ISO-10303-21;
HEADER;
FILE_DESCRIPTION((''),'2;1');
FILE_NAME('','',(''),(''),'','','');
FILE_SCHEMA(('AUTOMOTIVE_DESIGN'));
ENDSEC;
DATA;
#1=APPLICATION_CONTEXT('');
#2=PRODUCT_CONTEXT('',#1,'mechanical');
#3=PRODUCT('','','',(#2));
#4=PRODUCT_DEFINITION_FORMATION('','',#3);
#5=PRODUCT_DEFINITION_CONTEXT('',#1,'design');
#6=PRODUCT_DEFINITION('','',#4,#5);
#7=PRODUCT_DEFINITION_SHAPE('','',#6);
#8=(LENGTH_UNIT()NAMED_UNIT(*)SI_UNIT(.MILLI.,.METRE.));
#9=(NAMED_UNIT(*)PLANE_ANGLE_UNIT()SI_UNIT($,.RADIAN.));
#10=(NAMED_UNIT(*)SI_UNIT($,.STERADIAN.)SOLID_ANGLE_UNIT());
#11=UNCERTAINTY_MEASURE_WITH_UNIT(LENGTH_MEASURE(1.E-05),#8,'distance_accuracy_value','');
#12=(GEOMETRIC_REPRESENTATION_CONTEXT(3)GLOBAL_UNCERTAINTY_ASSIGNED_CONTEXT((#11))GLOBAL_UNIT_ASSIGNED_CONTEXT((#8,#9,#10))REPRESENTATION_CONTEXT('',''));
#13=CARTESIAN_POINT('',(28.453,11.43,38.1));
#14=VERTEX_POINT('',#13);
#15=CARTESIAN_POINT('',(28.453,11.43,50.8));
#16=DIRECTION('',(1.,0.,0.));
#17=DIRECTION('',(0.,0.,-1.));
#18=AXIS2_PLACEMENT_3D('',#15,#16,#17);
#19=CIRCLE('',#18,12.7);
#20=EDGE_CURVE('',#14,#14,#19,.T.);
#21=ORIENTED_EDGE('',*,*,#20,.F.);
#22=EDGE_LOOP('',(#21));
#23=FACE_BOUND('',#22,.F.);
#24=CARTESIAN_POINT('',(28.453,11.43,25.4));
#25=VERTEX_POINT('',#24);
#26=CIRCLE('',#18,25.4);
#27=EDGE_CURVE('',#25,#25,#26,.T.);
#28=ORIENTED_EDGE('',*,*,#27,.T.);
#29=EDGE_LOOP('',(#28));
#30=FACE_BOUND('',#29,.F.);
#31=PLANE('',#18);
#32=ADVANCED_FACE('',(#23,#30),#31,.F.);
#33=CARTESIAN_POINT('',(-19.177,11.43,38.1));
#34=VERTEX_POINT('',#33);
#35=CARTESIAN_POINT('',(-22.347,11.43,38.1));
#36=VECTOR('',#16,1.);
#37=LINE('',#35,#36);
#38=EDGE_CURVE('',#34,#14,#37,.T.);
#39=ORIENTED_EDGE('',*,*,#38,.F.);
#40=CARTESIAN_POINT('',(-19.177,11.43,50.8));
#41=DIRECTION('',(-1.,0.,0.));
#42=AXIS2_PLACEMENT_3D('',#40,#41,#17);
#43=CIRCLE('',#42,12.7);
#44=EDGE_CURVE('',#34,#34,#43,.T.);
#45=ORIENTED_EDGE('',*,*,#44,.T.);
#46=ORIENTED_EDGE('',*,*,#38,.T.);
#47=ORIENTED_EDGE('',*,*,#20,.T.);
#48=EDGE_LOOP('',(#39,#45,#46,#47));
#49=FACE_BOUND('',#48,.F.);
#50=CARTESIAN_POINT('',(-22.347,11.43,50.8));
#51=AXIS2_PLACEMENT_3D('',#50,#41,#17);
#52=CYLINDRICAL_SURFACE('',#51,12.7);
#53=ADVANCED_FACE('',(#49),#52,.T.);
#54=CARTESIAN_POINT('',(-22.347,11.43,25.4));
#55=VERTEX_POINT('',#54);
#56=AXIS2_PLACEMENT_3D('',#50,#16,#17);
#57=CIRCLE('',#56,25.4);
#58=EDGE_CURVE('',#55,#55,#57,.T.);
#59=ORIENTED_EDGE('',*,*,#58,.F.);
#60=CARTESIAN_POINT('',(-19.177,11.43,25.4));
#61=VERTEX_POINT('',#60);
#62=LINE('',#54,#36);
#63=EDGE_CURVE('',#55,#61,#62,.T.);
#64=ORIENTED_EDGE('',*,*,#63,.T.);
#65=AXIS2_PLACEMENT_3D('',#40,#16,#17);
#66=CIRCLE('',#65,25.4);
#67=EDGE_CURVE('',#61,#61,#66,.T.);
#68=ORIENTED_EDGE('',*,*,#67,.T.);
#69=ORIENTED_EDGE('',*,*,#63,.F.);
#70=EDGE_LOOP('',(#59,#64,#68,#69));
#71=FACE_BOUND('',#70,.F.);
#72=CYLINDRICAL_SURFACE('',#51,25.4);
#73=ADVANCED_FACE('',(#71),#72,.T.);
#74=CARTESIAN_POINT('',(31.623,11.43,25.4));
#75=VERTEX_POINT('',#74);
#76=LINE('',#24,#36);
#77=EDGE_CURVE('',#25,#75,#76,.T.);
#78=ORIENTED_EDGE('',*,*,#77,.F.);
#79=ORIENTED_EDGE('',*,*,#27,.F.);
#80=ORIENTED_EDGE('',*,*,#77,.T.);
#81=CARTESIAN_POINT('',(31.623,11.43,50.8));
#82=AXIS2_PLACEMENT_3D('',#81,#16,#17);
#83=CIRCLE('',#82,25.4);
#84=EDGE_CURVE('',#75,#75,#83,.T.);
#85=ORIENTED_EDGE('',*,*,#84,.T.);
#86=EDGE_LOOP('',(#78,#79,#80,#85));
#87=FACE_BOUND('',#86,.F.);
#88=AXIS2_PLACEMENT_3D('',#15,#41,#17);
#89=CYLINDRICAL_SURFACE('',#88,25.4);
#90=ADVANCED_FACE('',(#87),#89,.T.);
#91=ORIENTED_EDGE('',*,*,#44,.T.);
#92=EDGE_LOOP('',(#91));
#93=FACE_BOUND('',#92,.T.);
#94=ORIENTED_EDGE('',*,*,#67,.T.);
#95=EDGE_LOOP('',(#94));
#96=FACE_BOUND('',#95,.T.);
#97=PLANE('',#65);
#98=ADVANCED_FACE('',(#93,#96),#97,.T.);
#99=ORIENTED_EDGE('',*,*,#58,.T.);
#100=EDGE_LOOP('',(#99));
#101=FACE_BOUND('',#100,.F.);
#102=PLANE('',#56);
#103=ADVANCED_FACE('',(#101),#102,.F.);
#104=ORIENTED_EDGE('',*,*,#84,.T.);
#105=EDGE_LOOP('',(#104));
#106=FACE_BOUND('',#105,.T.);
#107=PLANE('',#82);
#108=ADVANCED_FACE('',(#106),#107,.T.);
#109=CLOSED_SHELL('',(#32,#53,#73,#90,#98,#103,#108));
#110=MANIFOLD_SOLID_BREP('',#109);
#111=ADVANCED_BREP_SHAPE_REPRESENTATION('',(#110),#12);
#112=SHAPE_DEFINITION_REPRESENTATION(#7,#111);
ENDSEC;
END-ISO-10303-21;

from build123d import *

# Parameters (mm, degrees)
CYLINDER003_R      = 25.4
CYLINDER003_DEPTH  = 3.17
CYLINDER001_R      = 12.7
CYLINDER001_DEPTH  = 50.8
CYLINDER004_R      = 25.4
CYLINDER004_DEPTH  = 3.17
FUSION_PITCH_ANGLE = 90


with BuildPart() as cylinder003:
    # Cylinder003 → Cylinder003 (new body)
    with BuildSketch(Plane.XY):
        Circle(CYLINDER003_R)
    extrude(amount=CYLINDER003_DEPTH)


with BuildPart() as cylinder001:
    # Cylinder001 → Cylinder001 (new body)
    with BuildSketch(Plane.XY):
        Circle(CYLINDER001_R)
    extrude(amount=CYLINDER001_DEPTH)


with BuildPart() as fusion:
    # Cylinder004 → Cylinder004 (new body)
    with BuildSketch(Plane.XY.offset(50.8)):
        Circle(CYLINDER004_R)
    extrude(amount=CYLINDER004_DEPTH)

    # Fusion: union Cylinder003, Cylinder001
    add(cylinder003.part)
    add(cylinder001.part)


with BuildPart() as fusion_1:
    # Fusion pitch: moved
    add(fusion.part.rotate(Axis((0, 0, 0), (0, 1, 0)), FUSION_PITCH_ANGLE))


with BuildPart() as fusion_2:
    # Fusion placement: moved
    add(fusion_1.part.moved(Location((-22.347, 11.43, 50.8))))


solid = fusion_2.part
